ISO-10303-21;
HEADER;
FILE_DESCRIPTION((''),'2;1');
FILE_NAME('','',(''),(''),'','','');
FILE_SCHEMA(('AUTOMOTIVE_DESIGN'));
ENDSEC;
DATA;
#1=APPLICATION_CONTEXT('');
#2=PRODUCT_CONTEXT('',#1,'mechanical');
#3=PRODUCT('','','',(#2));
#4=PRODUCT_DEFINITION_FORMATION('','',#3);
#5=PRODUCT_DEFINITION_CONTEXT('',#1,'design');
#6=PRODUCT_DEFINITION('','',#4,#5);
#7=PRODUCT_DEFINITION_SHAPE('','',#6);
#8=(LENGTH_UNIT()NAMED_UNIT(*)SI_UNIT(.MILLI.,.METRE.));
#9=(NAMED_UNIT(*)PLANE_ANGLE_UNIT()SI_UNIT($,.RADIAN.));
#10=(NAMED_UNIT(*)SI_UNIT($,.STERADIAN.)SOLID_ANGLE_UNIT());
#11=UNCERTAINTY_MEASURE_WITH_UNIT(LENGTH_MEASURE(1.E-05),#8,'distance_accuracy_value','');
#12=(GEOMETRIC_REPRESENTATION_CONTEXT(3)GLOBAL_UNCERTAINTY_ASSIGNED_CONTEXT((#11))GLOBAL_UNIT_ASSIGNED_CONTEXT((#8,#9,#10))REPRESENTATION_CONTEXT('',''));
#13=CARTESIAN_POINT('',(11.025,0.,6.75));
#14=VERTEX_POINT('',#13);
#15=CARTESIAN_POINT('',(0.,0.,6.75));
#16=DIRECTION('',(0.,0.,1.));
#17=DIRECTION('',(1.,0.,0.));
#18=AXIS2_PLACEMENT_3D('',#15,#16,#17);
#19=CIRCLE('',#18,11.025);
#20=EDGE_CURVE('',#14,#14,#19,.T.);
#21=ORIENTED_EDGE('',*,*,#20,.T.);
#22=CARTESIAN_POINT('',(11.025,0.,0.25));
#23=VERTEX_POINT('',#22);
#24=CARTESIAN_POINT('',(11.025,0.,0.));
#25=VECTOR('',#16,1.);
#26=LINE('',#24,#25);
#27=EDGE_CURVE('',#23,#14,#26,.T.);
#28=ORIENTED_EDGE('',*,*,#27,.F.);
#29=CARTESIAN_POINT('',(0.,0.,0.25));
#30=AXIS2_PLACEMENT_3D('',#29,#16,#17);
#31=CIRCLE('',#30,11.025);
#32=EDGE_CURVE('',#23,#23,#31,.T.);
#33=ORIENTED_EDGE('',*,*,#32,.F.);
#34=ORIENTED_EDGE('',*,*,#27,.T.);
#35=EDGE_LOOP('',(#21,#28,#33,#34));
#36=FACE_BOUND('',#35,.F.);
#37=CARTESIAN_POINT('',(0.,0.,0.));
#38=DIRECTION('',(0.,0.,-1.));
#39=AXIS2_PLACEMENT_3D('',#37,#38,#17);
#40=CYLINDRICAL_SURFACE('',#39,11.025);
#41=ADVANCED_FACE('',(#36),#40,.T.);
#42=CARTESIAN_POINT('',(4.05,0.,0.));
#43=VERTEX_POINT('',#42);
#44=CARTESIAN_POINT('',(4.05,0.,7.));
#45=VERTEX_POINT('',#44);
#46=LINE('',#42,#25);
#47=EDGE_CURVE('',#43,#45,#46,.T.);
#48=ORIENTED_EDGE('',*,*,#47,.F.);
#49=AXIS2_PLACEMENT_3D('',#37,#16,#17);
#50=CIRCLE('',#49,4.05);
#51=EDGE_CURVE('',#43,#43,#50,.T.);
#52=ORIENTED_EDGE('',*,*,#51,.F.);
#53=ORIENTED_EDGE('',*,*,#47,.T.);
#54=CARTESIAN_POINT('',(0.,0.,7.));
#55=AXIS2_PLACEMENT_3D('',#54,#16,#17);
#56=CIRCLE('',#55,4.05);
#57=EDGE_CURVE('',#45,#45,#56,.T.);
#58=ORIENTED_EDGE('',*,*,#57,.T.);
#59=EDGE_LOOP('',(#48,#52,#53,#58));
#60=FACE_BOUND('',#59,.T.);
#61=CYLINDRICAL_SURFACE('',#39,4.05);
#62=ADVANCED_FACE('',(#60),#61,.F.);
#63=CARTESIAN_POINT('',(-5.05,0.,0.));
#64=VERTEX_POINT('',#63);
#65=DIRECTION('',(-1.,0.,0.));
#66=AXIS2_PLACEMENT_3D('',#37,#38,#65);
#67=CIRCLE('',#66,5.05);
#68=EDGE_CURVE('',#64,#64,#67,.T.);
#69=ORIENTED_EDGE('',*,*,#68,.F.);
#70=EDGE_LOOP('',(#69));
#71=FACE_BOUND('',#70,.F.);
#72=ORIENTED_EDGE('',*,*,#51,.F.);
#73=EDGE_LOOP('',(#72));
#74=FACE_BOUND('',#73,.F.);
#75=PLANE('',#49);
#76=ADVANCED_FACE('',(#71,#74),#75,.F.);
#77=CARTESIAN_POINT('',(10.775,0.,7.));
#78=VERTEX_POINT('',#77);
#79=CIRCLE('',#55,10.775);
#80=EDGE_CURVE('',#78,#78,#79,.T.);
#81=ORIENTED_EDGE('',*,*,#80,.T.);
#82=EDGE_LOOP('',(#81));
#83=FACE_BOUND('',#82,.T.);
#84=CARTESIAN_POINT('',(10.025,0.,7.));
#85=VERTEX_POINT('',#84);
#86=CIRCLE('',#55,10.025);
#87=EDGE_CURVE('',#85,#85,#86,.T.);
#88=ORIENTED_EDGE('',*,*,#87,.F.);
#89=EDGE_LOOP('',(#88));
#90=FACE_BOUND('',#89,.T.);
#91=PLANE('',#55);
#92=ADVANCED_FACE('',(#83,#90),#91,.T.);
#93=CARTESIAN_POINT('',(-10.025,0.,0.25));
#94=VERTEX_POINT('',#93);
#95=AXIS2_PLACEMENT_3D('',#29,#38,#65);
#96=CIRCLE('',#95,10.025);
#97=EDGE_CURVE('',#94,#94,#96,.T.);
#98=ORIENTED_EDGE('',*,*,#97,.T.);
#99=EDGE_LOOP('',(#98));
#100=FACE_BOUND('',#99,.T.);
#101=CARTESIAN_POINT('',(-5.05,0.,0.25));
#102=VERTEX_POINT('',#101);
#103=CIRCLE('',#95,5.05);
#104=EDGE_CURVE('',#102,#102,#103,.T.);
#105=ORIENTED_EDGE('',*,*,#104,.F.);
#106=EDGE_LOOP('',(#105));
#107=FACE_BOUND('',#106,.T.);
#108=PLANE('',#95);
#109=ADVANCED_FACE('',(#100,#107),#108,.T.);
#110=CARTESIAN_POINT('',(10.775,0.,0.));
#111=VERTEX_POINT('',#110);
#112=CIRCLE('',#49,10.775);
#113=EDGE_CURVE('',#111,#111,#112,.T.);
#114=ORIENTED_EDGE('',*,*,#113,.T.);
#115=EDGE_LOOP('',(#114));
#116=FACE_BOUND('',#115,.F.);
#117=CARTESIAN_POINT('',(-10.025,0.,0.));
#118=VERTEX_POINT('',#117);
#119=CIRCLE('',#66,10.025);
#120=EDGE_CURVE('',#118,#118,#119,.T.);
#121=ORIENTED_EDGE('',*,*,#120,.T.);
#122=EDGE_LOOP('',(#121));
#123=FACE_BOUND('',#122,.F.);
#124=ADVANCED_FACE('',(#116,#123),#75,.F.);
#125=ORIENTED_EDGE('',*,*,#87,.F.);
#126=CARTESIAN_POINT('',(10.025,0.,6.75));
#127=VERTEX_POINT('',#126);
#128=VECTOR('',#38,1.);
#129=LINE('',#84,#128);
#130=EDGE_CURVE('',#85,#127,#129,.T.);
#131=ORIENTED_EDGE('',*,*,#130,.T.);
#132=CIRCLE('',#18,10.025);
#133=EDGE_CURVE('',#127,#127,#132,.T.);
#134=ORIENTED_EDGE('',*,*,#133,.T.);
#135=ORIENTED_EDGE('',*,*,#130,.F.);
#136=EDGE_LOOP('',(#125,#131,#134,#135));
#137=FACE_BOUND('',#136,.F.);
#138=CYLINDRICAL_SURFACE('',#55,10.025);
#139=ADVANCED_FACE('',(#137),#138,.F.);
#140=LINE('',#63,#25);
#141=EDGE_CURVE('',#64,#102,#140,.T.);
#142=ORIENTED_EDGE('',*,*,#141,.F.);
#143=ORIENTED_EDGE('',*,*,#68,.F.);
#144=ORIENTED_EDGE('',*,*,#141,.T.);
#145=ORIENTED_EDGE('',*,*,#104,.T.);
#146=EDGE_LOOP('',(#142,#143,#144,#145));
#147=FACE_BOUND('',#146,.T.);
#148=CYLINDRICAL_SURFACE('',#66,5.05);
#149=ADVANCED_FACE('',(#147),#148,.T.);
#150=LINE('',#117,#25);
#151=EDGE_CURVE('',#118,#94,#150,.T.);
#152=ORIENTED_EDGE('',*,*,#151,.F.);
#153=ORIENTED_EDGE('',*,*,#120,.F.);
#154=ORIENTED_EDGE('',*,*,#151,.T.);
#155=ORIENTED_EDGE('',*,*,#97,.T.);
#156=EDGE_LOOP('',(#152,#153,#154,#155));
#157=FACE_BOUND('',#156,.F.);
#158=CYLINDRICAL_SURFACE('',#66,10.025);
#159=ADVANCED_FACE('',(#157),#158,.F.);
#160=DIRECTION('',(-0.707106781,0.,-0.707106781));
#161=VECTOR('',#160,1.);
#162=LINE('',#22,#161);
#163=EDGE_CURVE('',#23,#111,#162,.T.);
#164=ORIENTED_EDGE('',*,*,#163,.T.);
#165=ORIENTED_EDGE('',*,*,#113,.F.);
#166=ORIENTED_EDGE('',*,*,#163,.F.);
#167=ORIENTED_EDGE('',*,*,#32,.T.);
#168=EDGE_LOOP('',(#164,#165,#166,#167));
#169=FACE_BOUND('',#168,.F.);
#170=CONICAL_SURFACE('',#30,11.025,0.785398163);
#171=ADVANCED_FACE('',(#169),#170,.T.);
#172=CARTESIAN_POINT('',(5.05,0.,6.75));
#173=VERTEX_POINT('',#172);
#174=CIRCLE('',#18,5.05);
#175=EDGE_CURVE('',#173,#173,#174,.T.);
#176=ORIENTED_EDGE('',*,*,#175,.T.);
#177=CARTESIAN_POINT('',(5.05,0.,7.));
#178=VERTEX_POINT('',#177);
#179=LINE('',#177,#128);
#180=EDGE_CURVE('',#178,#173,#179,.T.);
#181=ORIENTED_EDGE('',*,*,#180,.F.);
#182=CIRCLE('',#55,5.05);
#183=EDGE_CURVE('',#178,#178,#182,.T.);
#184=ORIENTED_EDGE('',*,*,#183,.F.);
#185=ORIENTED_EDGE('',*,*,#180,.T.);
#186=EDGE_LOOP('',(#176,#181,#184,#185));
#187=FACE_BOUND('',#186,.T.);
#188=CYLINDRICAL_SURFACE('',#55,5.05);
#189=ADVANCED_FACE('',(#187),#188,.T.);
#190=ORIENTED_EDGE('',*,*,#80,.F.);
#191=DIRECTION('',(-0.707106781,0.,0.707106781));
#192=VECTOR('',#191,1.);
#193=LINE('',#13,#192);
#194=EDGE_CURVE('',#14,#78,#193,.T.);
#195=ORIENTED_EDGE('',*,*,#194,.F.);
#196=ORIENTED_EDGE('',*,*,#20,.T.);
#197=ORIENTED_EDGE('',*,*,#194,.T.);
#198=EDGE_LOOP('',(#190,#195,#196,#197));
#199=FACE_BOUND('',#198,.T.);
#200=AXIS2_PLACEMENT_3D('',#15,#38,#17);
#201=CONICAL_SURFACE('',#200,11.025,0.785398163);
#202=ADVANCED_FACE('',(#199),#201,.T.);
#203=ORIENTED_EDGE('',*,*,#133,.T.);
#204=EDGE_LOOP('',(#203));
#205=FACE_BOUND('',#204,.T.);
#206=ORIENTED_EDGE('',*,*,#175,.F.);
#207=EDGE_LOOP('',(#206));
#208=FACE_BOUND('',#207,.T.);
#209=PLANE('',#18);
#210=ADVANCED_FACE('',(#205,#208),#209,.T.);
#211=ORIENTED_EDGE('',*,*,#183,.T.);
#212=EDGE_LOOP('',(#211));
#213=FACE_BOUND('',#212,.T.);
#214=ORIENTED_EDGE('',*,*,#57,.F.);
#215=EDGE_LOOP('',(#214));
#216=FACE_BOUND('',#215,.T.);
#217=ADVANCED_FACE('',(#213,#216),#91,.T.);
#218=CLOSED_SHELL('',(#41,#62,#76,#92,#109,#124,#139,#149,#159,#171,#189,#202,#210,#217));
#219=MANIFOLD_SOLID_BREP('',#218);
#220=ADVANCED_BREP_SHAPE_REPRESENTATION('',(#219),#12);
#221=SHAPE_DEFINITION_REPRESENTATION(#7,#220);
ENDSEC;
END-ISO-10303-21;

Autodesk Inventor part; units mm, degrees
ref_plane "YZ Plane" through (0, 0, 0) normal (1, 0, 0) x (0, 1, 0)
ref_plane "XZ Plane" through (0, 0, 0) normal (0, 1, 0) x (-1, 0, 0)
ref_plane "XY Plane" through (0, 0, 0) normal (0, 0, 1) x (1, 0, 0)
sketch "Sketch1" plane through (0, 0, 0) normal (0, 0, 1) x (1, 0, 0)
  circle A0 centre (0, 0) radius 11.025
  circle A1 centre (0, 0) radius 4.05
  dimension "d0" = 22.05
  dimension "d1" = 8.1
extrude "Extrusion1" add sketch "Sketch1" along normal blind 7
sketch "Sketch2" plane through (0, 0, 7) normal (0, 0, 1) x (1, 0, 0)
  circle A0 centre (0, 0) radius 5.05
  circle A1 centre (0, 0) radius 10.025
  circle A2 centre (0, 0) radius 11.025 projected
  circle A3 centre (0, 0) radius 4.05 projected
  dimension "d4" = 1
  dimension "d5" = 1
extrude "Extrusion2" cut sketch "Sketch2" against normal blind 0.25 contours A1
sketch "Sketch3" plane through (0, 0, 0) normal (0, 0, -1) x (-1, 0, 0)
  circle A0 centre (0, 0) radius 10.025 projected
  circle A1 centre (0, 0) radius 5.05 projected
extrude "Extrusion3" cut sketch "Sketch3" against normal blind 0.25
chamfer "Chamfer1" distance 0.25 angle 45 2 edges at (-11.025, 0, 7) (-11.025, 0, 0)
properties part number "bearing_22x8x7"
